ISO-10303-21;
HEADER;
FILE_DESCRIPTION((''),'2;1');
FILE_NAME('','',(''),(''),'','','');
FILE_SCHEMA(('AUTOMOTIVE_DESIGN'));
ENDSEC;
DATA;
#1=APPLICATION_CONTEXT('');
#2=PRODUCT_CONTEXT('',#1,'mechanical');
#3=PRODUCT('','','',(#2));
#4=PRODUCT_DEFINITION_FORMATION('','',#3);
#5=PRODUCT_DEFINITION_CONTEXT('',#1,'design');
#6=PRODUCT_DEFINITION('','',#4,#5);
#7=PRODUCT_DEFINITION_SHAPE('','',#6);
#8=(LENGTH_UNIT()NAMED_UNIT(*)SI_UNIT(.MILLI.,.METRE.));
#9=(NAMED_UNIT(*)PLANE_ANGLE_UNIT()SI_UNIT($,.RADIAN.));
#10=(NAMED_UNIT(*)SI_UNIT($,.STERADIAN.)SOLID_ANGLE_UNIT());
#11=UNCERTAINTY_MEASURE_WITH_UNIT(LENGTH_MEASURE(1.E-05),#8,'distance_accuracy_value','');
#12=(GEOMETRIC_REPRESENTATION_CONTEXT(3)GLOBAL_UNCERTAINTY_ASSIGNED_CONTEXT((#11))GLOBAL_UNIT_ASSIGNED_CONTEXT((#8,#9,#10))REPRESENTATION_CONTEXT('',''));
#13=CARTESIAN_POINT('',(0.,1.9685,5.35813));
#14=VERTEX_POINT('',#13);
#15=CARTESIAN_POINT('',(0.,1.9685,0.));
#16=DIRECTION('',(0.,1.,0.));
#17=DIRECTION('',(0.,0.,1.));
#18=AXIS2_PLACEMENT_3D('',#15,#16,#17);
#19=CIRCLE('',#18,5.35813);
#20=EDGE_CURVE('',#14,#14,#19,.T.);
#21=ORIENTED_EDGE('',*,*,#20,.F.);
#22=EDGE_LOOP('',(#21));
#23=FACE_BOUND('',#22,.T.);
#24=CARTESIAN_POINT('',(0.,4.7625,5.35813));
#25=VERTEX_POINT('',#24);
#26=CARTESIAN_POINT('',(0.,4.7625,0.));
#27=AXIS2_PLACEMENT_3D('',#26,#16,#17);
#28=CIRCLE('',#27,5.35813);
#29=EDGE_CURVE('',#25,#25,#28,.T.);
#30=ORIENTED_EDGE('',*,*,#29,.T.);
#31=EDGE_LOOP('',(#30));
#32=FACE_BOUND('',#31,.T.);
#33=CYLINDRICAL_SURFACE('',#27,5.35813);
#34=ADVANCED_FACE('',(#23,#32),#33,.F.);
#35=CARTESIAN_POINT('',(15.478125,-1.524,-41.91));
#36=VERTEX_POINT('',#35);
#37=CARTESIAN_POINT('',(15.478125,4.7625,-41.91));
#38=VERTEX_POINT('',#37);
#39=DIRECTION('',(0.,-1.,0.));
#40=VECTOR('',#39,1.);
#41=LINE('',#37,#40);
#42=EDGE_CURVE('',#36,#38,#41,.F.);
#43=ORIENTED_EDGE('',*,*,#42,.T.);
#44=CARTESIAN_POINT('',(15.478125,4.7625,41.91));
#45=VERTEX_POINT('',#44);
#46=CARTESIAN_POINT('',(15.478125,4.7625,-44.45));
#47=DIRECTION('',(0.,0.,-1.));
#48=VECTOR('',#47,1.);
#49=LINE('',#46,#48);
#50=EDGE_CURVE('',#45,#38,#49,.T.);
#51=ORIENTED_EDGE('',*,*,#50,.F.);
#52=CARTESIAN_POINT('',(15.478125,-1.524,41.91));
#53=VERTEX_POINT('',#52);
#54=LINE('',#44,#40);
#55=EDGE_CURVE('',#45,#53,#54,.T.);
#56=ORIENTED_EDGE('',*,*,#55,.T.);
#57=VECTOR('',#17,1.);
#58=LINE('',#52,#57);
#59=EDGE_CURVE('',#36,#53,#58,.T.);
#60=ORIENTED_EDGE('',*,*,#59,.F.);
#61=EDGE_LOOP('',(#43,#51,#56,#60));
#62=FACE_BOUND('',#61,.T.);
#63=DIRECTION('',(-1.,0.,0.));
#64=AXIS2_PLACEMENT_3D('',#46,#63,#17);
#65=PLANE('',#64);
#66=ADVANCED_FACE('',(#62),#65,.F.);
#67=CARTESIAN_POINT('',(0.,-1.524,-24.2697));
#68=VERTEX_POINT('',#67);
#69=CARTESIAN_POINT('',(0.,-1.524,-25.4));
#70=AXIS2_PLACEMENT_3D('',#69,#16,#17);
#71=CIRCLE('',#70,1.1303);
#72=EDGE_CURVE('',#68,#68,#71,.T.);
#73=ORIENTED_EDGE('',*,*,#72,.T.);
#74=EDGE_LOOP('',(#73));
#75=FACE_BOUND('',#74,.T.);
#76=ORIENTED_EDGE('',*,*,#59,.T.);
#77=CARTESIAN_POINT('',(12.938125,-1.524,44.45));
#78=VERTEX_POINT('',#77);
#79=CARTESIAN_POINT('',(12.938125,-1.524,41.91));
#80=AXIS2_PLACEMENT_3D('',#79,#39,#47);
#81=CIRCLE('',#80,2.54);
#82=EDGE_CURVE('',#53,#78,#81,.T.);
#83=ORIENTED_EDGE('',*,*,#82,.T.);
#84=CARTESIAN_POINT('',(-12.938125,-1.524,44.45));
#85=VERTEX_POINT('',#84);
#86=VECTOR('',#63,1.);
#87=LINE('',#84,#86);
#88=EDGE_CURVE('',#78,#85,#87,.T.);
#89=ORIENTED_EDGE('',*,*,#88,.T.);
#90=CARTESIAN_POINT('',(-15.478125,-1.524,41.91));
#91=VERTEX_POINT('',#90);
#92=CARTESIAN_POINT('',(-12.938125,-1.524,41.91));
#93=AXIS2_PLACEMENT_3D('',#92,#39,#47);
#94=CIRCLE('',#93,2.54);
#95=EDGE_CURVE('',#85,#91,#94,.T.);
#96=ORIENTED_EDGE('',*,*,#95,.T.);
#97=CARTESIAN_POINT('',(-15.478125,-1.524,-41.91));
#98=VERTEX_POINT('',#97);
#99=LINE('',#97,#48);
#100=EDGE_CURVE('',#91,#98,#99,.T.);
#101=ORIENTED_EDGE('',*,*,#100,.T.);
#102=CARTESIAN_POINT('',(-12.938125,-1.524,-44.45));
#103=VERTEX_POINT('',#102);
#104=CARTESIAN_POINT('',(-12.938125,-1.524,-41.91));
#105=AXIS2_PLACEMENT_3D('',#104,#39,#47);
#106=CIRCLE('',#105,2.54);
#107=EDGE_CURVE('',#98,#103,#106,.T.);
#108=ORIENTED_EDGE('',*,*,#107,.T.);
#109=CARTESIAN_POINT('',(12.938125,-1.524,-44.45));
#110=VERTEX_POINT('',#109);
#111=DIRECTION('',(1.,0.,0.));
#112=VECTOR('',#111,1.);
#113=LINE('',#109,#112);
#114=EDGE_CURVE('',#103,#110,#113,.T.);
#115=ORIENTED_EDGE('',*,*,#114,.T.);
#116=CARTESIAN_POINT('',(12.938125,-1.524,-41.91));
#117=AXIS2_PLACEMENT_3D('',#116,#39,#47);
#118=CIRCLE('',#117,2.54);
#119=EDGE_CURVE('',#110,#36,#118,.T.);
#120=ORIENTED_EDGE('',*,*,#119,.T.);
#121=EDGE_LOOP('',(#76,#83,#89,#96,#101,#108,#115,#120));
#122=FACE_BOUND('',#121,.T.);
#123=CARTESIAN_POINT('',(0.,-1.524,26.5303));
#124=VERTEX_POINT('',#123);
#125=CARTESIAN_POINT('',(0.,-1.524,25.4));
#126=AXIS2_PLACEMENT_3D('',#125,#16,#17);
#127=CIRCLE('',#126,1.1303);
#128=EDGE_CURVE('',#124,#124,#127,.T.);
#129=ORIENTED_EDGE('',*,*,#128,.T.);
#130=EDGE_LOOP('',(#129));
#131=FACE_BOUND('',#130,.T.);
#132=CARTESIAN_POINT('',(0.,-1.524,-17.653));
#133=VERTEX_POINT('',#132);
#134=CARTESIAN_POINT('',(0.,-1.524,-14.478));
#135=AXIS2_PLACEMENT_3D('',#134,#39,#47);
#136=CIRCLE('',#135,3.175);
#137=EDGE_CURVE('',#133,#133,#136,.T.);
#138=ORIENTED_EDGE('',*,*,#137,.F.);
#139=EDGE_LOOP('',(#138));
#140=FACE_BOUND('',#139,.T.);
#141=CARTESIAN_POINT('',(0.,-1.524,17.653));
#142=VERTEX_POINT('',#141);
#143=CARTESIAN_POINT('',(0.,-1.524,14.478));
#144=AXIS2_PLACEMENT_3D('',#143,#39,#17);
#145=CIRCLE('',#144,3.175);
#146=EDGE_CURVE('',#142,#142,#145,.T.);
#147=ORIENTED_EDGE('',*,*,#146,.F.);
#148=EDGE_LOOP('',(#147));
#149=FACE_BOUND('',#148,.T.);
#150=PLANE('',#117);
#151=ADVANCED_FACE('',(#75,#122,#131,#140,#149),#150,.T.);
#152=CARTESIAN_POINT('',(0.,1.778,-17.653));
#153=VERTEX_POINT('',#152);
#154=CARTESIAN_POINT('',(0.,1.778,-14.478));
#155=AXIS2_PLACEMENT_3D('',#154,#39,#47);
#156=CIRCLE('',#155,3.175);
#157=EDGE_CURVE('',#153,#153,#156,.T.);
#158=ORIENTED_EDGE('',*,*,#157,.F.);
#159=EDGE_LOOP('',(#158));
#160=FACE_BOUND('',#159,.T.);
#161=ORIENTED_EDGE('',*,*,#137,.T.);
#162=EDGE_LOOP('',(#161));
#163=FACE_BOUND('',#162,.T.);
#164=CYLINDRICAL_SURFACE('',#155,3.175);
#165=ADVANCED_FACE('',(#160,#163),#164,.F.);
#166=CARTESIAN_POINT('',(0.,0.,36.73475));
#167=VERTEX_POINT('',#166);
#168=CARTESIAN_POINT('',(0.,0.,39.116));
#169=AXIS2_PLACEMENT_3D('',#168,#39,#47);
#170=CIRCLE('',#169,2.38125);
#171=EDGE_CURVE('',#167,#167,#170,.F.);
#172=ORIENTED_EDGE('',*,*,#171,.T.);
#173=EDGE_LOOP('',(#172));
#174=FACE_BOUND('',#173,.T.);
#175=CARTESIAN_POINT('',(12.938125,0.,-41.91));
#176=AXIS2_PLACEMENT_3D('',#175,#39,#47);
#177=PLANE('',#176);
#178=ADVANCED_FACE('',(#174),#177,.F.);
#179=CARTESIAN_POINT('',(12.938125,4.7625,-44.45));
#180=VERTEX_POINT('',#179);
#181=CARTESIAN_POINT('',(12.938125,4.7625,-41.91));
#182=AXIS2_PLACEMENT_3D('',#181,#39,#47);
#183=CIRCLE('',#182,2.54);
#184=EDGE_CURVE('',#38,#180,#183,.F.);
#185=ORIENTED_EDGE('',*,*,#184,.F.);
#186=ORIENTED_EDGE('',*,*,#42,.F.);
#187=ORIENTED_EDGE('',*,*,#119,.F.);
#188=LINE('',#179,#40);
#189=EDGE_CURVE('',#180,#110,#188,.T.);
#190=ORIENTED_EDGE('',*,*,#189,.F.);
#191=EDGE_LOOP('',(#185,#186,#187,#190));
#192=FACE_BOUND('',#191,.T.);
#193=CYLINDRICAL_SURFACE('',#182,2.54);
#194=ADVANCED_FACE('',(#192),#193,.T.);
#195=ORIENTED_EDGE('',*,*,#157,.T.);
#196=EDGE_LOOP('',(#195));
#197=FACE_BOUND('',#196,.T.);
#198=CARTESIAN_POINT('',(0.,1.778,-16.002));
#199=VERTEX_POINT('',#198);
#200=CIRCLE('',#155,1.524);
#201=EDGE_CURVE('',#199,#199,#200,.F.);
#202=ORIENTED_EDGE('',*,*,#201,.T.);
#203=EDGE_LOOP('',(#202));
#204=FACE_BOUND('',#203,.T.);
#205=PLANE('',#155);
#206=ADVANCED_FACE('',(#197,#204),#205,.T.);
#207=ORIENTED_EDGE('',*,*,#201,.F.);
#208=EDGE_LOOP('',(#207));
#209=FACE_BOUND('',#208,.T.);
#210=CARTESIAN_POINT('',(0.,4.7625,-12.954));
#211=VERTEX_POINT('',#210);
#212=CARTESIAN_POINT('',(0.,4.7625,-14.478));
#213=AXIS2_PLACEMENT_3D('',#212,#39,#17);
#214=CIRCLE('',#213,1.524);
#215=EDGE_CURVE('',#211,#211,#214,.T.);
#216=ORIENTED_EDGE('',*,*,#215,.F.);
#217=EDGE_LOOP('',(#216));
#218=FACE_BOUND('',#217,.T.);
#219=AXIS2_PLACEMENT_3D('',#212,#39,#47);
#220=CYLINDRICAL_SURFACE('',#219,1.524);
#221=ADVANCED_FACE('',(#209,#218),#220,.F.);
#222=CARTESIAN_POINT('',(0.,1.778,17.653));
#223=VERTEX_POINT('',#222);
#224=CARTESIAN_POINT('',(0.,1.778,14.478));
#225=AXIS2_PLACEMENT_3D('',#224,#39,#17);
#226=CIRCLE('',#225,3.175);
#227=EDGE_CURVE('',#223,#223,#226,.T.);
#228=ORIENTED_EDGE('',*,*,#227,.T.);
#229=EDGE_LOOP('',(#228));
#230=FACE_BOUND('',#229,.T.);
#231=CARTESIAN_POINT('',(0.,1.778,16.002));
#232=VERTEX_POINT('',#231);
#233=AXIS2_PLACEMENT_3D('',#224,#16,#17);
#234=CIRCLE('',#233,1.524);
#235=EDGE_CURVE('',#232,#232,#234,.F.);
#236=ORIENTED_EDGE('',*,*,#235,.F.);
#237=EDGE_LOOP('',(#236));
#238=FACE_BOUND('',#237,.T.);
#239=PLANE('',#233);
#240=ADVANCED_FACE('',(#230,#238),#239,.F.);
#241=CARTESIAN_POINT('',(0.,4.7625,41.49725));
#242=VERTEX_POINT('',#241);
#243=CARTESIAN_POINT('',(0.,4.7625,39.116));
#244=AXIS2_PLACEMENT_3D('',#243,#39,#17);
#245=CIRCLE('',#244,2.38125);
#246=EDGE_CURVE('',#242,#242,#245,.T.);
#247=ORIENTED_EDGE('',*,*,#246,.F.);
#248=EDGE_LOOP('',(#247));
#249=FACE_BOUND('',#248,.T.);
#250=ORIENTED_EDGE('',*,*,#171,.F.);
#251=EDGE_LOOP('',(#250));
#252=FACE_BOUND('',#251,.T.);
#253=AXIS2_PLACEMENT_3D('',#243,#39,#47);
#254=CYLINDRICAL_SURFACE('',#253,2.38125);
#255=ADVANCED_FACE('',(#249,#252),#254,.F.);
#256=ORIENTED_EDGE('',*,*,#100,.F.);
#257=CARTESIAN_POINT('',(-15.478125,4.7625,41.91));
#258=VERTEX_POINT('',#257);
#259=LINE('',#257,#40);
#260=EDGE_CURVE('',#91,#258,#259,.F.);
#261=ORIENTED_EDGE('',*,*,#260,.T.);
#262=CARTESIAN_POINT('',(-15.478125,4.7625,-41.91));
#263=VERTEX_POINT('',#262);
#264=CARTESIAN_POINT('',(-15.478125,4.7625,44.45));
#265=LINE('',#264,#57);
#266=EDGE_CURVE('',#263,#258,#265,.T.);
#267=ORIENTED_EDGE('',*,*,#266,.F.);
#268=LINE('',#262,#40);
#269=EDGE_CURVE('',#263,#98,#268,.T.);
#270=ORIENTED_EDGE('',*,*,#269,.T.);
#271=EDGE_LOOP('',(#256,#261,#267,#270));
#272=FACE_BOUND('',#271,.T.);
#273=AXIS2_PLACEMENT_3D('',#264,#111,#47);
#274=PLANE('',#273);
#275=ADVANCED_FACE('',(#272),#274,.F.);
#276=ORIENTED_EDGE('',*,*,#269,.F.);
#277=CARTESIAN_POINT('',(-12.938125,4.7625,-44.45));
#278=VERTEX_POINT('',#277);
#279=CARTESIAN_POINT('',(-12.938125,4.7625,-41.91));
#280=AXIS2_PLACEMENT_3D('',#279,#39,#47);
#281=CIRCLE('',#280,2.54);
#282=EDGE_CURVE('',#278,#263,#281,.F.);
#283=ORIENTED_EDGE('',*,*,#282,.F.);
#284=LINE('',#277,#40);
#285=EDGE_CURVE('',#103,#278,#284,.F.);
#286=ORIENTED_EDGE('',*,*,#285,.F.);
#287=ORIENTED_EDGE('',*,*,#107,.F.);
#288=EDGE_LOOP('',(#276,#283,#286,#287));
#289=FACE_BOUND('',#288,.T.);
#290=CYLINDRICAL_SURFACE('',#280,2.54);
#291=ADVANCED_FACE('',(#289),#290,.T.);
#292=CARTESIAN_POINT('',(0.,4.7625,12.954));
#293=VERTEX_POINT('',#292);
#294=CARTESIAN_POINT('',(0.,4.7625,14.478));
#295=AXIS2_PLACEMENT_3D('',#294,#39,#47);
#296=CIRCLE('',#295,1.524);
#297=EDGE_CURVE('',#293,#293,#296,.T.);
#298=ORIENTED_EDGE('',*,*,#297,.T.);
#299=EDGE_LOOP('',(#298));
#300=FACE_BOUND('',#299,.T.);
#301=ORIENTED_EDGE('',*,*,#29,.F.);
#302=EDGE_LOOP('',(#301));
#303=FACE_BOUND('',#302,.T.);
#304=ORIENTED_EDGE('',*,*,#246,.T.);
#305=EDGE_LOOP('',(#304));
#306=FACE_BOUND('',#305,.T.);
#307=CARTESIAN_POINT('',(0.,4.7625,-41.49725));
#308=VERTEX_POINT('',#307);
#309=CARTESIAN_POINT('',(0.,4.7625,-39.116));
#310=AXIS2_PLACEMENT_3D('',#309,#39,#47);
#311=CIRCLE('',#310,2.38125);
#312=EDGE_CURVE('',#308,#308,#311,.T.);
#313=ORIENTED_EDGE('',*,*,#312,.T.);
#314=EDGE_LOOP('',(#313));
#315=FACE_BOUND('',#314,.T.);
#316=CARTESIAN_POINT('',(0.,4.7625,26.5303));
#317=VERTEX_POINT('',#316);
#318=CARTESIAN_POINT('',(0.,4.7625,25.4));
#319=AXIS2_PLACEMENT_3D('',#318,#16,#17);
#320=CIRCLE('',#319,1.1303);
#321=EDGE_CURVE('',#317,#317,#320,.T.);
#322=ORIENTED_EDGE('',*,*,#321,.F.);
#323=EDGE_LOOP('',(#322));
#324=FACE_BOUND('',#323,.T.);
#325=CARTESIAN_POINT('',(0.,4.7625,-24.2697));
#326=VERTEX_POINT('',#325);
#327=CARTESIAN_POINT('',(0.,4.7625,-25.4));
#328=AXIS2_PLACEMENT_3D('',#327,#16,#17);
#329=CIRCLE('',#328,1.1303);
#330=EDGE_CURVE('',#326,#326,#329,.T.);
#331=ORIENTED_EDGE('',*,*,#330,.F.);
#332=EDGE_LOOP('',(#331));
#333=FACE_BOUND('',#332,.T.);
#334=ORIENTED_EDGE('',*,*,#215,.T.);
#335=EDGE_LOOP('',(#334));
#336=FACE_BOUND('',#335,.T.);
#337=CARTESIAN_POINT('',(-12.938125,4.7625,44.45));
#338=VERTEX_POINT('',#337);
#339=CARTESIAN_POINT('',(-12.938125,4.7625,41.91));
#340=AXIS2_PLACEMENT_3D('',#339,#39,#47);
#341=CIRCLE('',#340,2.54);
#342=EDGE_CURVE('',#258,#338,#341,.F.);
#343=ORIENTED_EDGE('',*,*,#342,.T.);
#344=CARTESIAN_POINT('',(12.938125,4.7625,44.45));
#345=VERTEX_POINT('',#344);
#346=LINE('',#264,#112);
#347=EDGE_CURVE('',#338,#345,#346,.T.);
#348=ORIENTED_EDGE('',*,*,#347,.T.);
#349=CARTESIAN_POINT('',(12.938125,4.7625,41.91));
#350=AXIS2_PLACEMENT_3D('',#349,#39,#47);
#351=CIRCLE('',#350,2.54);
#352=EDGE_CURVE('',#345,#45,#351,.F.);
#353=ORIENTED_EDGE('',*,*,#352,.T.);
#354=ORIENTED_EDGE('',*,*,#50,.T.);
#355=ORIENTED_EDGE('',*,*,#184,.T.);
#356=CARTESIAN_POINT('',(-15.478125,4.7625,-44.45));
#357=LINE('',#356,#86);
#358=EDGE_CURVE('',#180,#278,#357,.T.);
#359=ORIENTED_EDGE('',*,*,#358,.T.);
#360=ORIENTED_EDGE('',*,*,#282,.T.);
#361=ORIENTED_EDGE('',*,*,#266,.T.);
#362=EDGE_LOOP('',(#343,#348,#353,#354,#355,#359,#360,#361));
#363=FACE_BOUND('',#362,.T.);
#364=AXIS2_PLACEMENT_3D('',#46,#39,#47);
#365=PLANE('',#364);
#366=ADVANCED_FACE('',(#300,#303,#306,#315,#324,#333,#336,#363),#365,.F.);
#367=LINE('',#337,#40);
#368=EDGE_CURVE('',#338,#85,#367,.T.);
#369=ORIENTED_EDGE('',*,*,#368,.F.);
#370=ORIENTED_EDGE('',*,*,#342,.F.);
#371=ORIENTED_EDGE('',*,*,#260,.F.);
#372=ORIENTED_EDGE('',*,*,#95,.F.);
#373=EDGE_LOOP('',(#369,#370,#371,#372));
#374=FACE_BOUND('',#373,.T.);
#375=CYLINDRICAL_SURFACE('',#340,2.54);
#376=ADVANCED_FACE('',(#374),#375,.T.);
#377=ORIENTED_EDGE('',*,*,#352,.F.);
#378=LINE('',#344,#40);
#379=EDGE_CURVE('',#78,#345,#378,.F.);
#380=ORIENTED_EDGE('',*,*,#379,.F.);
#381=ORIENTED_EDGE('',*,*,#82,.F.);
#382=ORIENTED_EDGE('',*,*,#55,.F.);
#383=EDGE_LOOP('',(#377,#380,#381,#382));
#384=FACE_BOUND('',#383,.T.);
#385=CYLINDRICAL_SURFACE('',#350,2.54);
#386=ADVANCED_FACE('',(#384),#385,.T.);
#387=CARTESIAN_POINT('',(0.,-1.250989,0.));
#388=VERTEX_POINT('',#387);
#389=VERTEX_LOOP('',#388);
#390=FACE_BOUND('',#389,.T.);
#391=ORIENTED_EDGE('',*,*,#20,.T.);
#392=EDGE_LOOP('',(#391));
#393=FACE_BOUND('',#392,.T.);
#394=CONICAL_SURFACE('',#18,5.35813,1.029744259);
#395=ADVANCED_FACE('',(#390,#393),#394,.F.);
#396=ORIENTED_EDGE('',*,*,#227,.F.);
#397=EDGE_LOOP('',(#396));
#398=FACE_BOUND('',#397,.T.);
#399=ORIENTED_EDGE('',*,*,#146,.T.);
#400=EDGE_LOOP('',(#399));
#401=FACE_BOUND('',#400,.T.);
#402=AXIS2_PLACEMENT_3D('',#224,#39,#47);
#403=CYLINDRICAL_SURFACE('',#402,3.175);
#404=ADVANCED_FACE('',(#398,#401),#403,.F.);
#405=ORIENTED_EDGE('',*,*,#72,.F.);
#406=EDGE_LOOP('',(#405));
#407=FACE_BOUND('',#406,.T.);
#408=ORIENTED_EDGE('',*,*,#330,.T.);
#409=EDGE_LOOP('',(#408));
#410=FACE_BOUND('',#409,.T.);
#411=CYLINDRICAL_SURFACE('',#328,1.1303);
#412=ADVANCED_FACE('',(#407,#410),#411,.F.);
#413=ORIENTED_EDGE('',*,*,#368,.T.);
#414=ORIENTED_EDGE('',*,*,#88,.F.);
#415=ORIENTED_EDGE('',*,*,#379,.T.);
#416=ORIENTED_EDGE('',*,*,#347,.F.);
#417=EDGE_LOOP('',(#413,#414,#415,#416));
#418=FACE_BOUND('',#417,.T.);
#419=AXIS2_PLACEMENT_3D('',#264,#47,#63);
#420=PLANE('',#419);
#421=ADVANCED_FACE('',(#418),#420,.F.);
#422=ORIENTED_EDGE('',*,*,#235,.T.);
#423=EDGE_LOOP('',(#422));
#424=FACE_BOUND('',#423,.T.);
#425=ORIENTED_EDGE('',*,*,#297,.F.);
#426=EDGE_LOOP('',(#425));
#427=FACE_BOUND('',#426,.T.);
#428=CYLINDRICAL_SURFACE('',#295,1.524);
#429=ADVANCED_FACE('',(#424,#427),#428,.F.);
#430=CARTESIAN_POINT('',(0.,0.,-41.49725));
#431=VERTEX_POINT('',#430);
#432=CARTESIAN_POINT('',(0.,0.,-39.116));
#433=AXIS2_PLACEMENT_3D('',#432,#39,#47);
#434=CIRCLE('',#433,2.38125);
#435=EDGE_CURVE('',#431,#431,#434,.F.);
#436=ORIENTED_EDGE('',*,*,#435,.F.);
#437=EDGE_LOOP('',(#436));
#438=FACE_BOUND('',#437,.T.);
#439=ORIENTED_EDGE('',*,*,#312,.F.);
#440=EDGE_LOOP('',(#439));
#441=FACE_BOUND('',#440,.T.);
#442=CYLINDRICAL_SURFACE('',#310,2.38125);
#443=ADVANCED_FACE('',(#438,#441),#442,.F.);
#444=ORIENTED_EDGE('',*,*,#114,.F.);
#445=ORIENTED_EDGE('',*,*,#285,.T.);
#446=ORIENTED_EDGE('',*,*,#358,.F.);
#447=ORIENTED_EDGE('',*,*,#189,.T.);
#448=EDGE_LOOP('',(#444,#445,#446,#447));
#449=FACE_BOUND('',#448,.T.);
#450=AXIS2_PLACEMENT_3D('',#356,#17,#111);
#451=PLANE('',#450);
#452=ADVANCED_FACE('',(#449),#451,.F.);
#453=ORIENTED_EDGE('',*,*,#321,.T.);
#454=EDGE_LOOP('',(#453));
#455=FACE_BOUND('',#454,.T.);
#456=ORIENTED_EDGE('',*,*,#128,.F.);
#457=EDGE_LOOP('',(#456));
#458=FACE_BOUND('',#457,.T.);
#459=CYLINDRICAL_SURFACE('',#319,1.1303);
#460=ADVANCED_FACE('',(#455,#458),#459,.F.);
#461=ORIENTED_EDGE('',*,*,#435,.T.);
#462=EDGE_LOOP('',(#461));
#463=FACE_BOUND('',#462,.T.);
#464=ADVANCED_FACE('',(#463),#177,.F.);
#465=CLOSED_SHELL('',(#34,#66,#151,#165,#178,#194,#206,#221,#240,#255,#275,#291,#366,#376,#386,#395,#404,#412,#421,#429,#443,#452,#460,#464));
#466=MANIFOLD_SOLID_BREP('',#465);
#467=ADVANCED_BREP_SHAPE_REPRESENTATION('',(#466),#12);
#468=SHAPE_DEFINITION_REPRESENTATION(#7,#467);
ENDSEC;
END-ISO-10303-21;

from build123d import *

# Parameters (mm, degrees)
SKETCH1_W                   = 30.95625
SKETCH1_H                   = 88.9
BOSS_EXTRUDE1_DEPTH         = 4.7625
FILLET1_R                   = 2.54
SKETCH6_R                   = 1.524
CUT_EXTRUDE1_DEPTH          = 5.7625
SKETCH7_R                   = 2.38125
CUT_EXTRUDE2_DEPTH          = 5.7625
BOSS_EXTRUDE3_DEPTH         = 1.524
F_4_40_TAPPED_HOLE1_D       = 2.2606
SKETCH10_R                  = 1.524
CUT_EXTRUDE3_DEPTH          = 2.524
SKETCH11_R                  = 3.175
CUT_EXTRUDE4_DEPTH          = 3.302
F_1_2_13_TAPPED_HOLE2_D     = 10.71626
F_1_2_13_TAPPED_HOLE2_DEPTH = 2.794
F_1_2_13_TAPPED_HOLE2_TIP   = 3.219489309


with BuildPart() as part:
    # Sketch1 → Boss-Extrude1 (new body)
    with BuildSketch(Plane(origin=(0, 0, 0), x_dir=(1, 0, 0), z_dir=(0, 1, 0))):
        Rectangle(SKETCH1_W, SKETCH1_H)
    extrude(amount=BOSS_EXTRUDE1_DEPTH)

    # Fillet1
    fillet1_edges = [part.edges().sort_by_distance(p)[0] for p in [
        (15.478125, 2.38125, -44.45),
        (15.478125, 2.38125, 44.45),
        (-15.478125, 2.38125, 44.45),
        (-15.478125, 2.38125, -44.45),
    ]]
    fillet(fillet1_edges, radius=FILLET1_R)

    # Sketch6 → Cut-Extrude1 (cut, through all)
    with BuildSketch(Plane.XZ):
        with Locations((0, 14.478)):
            Circle(SKETCH6_R)
        with Locations((0, -14.478)):
            Circle(SKETCH6_R)
    extrude(amount=-CUT_EXTRUDE1_DEPTH, mode=Mode.SUBTRACT)

    # Sketch7 → Cut-Extrude2 (cut, through all)
    with BuildSketch(Plane.XZ):
        with Locations((0, -39.116)):
            Circle(SKETCH7_R)
        with Locations((0, 39.116)):
            Circle(SKETCH7_R)
    extrude(amount=-CUT_EXTRUDE2_DEPTH, mode=Mode.SUBTRACT)

    # Sketch9 → Boss-Extrude3 (add)
    with BuildSketch(Plane.XZ):
        with BuildLine():
            Line((12.938125, -44.45), (-12.938125, -44.45))
            ThreePointArc((-12.938125, -44.45), (-14.734176224, -43.706051224), (-15.478125, -41.91))
            Line((-15.478125, -41.91), (-15.478125, 41.91))
            ThreePointArc((-15.478125, 41.91), (-14.734176224, 43.706051224), (-12.938125, 44.45))
            Line((-12.938125, 44.45), (12.938125, 44.45))
            ThreePointArc((12.938125, 44.45), (14.734176224, 43.706051224), (15.478125, 41.91))
            Line((15.478125, 41.91), (15.478125, -41.91))
            ThreePointArc((15.478125, -41.91), (14.734176224, -43.706051224), (12.938125, -44.45))
        make_face()
    extrude(amount=BOSS_EXTRUDE3_DEPTH)

    # #4-40 Tapped Hole1 (through all)
    with Locations(Plane(origin=(0, 4.7625, 0), x_dir=(-1, 0, 0), z_dir=(0, 1, 0))):
        with Locations((0, 25.4), (0, -25.4)):
            Hole(F_4_40_TAPPED_HOLE1_D / 2)

    # Sketch10 → Cut-Extrude3 (cut, through all)
    with BuildSketch(Plane(origin=(0, 0, 0), x_dir=(1, 0, 0), z_dir=(0, 1, 0))):
        with Locations((0, -14.478)):
            Circle(SKETCH10_R)
        with Locations((0, 14.478)):
            Circle(SKETCH10_R)
    extrude(amount=-CUT_EXTRUDE3_DEPTH, mode=Mode.SUBTRACT)

    # Sketch11 → Cut-Extrude4 (cut)
    with BuildSketch(Plane.XZ.offset(1.524)):
        with Locations((0, -14.478)):
            Circle(SKETCH11_R)
        with Locations((0, 14.478)):
            Circle(SKETCH11_R)
    extrude(amount=-CUT_EXTRUDE4_DEPTH, mode=Mode.SUBTRACT)

    # 1/2-13 Tapped Hole2
    with Locations(Plane(origin=(0, 4.7625, 0), x_dir=(-1, 0, 0), z_dir=(0, 1, 0))):
        with Locations((0, 0)):
            Hole(F_1_2_13_TAPPED_HOLE2_D / 2, depth=F_1_2_13_TAPPED_HOLE2_DEPTH)
            with Locations((0, 0, -(F_1_2_13_TAPPED_HOLE2_DEPTH + F_1_2_13_TAPPED_HOLE2_TIP / 2))):  # 118° drill point
                Cone(0, F_1_2_13_TAPPED_HOLE2_D / 2, F_1_2_13_TAPPED_HOLE2_TIP, mode=Mode.SUBTRACT)


solid = part.part
